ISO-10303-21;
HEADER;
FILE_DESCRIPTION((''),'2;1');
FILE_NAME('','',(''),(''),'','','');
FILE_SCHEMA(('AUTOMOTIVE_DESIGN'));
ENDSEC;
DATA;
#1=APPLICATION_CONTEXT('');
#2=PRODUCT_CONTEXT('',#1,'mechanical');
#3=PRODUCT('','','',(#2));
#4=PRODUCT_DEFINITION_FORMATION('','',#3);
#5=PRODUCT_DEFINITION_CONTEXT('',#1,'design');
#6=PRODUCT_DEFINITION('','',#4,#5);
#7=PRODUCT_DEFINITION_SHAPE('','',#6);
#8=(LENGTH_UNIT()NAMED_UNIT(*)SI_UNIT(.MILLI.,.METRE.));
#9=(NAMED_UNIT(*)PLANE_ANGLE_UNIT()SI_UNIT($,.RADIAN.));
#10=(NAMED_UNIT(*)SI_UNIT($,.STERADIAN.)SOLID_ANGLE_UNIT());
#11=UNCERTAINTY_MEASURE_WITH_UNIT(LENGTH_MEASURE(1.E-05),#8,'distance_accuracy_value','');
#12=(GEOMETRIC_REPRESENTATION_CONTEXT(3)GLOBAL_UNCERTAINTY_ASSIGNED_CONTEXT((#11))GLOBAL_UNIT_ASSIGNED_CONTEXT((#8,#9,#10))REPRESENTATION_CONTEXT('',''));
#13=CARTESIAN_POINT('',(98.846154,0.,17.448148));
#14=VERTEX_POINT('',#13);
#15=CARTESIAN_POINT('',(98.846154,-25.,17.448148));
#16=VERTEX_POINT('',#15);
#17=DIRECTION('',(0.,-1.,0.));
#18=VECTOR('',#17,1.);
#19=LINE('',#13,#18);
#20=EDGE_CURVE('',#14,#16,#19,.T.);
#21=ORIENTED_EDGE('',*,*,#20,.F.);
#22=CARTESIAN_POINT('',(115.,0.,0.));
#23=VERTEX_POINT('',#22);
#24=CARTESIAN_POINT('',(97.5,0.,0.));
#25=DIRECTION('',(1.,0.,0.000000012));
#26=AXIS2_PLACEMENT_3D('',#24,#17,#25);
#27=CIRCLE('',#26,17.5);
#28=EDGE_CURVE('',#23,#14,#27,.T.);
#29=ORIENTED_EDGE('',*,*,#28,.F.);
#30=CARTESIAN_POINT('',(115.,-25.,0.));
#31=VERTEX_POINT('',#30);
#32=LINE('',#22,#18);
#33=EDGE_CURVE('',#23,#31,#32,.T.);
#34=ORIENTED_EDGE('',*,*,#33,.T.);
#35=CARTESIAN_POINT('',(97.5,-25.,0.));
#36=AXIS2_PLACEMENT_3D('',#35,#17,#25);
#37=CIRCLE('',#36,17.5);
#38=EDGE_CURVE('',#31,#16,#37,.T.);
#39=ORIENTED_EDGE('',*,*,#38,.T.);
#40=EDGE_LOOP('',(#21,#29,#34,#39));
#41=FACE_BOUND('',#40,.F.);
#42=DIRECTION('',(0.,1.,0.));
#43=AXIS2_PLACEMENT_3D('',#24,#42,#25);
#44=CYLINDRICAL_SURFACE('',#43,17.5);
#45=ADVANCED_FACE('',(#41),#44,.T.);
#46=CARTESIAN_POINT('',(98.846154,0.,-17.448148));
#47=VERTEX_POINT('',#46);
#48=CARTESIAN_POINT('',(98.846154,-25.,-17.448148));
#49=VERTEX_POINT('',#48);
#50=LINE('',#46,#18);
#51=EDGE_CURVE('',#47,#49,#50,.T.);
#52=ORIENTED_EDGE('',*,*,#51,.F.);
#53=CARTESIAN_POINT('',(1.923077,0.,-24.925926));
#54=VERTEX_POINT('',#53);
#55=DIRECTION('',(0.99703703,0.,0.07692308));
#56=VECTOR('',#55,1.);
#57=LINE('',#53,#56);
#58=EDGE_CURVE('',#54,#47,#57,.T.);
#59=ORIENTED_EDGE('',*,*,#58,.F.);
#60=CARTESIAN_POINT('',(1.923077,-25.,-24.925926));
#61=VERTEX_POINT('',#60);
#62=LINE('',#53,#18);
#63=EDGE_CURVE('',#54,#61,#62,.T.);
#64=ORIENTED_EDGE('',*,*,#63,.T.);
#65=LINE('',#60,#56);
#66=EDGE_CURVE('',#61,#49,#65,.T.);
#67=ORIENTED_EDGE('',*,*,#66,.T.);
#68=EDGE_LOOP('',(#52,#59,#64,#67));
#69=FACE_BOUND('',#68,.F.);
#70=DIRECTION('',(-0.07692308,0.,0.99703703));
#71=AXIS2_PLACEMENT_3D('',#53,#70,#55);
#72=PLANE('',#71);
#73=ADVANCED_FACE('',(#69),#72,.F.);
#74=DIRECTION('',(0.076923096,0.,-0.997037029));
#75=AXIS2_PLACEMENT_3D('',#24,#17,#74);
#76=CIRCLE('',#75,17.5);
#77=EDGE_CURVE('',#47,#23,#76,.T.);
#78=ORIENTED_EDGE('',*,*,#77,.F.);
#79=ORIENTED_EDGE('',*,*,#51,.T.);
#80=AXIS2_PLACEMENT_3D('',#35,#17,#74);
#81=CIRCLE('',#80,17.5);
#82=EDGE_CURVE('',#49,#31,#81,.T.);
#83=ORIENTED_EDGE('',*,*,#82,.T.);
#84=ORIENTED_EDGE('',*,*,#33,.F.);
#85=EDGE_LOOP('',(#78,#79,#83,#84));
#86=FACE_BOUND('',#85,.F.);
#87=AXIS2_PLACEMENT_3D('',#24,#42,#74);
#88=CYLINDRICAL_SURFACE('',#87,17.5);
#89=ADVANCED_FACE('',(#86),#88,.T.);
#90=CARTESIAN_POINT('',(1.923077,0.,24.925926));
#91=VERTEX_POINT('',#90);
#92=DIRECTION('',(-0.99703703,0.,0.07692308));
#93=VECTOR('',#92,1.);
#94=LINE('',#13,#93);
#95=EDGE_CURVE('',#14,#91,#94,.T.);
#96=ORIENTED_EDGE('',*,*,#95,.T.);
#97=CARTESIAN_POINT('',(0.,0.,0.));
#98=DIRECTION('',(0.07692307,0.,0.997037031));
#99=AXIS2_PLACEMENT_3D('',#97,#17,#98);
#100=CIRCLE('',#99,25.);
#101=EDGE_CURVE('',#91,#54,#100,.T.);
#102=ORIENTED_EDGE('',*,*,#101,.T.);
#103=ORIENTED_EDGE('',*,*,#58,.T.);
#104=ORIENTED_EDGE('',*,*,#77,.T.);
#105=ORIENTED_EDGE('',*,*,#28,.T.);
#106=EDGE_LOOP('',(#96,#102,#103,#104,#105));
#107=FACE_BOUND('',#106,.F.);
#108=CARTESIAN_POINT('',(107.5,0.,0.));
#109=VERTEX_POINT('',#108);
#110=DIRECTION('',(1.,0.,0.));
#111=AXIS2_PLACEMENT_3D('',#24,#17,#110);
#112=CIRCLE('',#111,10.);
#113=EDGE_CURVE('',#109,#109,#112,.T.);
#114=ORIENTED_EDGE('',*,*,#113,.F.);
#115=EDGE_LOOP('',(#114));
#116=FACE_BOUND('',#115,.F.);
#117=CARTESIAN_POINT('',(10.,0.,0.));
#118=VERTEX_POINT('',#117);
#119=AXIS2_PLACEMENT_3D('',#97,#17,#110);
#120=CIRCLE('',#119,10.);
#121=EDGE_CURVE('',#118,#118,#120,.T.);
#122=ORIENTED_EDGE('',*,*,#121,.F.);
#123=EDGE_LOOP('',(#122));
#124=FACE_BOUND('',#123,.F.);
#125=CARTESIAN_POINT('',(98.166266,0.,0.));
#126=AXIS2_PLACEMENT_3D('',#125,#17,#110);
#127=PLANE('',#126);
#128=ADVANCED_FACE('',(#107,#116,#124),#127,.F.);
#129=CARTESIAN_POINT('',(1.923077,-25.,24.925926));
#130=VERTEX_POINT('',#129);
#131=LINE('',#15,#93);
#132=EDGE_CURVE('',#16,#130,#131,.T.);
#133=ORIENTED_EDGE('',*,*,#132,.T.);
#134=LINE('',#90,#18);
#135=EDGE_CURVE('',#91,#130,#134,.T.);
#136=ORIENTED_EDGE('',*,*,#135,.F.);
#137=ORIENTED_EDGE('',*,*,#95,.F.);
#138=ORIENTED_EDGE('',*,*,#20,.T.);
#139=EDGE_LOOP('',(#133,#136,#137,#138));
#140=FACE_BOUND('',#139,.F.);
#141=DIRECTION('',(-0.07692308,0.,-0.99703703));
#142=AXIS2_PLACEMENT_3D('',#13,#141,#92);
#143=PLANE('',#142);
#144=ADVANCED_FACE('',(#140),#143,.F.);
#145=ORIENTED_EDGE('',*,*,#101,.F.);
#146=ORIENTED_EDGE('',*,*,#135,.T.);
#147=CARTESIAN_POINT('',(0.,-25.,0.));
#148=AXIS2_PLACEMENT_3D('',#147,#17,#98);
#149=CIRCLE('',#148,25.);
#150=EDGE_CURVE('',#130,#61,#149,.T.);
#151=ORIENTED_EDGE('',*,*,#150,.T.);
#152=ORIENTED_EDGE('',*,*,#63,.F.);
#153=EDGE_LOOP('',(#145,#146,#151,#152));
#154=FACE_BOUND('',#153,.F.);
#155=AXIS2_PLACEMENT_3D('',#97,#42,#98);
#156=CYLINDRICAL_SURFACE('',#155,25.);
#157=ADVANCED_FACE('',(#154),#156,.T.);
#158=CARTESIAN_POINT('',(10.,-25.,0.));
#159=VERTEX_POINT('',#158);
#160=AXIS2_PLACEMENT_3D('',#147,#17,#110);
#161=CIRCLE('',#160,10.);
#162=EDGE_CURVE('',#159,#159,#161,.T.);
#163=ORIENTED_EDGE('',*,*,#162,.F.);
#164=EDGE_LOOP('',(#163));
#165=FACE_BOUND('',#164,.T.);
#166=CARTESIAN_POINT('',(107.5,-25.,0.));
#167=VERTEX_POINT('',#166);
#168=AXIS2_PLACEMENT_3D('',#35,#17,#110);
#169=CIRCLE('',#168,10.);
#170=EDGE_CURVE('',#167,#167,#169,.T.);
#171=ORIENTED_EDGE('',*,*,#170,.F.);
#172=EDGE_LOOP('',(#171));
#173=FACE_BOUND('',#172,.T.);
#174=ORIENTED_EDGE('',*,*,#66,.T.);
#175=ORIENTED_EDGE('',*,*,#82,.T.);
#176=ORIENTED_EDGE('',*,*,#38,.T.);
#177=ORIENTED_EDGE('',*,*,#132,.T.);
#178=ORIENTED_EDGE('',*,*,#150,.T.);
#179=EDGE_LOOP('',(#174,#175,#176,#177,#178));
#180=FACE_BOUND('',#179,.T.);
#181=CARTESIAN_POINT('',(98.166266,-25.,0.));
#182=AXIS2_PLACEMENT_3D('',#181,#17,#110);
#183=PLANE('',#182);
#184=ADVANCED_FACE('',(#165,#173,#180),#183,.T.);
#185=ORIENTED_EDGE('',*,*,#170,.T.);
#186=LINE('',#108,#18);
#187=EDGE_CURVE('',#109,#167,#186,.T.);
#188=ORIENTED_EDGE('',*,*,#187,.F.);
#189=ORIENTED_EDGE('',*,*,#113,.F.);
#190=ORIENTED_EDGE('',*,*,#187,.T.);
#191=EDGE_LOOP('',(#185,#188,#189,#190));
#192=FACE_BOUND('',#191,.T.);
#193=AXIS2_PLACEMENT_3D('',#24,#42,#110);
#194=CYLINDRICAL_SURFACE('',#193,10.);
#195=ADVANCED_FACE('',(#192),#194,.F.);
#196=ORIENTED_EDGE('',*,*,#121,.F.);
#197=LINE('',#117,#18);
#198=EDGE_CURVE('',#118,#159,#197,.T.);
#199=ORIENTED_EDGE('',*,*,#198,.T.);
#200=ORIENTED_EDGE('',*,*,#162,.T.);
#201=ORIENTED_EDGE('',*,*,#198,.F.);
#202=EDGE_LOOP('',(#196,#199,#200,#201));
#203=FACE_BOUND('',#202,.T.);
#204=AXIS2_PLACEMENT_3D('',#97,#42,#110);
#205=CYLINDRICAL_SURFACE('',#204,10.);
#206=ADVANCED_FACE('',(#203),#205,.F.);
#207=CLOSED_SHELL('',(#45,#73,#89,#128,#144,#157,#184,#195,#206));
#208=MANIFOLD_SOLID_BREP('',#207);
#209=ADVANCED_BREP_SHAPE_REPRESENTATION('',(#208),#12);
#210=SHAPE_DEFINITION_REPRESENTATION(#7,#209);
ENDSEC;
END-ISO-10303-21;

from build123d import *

# Parameters (mm, degrees)
F0_R     = 10
F1_DEPTH = 25


with BuildPart() as f1:
    # F0 (on Front) → F1 (new body)
    with BuildSketch(Plane.XZ):
        with BuildLine():
            ThreePointArc((115, 0), (110.341489, 11.888909), (98.846154, 17.448148))
            ThreePointArc((98.846154, 17.448148), (80, 0), (98.846154, -17.448148))
            ThreePointArc((98.846154, -17.448148), (110.341489, -11.888909), (115, 0))
        make_face()
        with Locations((97.5, 0)):
            Circle(F0_R, mode=Mode.SUBTRACT)
        with BuildLine():
            ThreePointArc((1.923077, -24.925926), (18.344985, -16.984156), (25, 0))
            ThreePointArc((25, 0), (18.344985, 16.984156), (1.923077, 24.925926))
            ThreePointArc((1.923077, 24.925926), (-25, 0), (1.923077, -24.925926))
        make_face()
        Circle(F0_R, mode=Mode.SUBTRACT)
        with BuildLine():
            ThreePointArc((1.923077, 24.925926), (18.344985, 16.984156), (25, 0))
            ThreePointArc((25, 0), (18.344985, -16.984156), (1.923077, -24.925926))
            Line((1.923077, -24.925926), (98.846154, -17.448148))
            ThreePointArc((98.846154, -17.448148), (80, 0), (98.846154, 17.448148))
            Line((98.846154, 17.448148), (1.923077, 24.925926))
        make_face()
    extrude(amount=F1_DEPTH)


solid = f1.part
